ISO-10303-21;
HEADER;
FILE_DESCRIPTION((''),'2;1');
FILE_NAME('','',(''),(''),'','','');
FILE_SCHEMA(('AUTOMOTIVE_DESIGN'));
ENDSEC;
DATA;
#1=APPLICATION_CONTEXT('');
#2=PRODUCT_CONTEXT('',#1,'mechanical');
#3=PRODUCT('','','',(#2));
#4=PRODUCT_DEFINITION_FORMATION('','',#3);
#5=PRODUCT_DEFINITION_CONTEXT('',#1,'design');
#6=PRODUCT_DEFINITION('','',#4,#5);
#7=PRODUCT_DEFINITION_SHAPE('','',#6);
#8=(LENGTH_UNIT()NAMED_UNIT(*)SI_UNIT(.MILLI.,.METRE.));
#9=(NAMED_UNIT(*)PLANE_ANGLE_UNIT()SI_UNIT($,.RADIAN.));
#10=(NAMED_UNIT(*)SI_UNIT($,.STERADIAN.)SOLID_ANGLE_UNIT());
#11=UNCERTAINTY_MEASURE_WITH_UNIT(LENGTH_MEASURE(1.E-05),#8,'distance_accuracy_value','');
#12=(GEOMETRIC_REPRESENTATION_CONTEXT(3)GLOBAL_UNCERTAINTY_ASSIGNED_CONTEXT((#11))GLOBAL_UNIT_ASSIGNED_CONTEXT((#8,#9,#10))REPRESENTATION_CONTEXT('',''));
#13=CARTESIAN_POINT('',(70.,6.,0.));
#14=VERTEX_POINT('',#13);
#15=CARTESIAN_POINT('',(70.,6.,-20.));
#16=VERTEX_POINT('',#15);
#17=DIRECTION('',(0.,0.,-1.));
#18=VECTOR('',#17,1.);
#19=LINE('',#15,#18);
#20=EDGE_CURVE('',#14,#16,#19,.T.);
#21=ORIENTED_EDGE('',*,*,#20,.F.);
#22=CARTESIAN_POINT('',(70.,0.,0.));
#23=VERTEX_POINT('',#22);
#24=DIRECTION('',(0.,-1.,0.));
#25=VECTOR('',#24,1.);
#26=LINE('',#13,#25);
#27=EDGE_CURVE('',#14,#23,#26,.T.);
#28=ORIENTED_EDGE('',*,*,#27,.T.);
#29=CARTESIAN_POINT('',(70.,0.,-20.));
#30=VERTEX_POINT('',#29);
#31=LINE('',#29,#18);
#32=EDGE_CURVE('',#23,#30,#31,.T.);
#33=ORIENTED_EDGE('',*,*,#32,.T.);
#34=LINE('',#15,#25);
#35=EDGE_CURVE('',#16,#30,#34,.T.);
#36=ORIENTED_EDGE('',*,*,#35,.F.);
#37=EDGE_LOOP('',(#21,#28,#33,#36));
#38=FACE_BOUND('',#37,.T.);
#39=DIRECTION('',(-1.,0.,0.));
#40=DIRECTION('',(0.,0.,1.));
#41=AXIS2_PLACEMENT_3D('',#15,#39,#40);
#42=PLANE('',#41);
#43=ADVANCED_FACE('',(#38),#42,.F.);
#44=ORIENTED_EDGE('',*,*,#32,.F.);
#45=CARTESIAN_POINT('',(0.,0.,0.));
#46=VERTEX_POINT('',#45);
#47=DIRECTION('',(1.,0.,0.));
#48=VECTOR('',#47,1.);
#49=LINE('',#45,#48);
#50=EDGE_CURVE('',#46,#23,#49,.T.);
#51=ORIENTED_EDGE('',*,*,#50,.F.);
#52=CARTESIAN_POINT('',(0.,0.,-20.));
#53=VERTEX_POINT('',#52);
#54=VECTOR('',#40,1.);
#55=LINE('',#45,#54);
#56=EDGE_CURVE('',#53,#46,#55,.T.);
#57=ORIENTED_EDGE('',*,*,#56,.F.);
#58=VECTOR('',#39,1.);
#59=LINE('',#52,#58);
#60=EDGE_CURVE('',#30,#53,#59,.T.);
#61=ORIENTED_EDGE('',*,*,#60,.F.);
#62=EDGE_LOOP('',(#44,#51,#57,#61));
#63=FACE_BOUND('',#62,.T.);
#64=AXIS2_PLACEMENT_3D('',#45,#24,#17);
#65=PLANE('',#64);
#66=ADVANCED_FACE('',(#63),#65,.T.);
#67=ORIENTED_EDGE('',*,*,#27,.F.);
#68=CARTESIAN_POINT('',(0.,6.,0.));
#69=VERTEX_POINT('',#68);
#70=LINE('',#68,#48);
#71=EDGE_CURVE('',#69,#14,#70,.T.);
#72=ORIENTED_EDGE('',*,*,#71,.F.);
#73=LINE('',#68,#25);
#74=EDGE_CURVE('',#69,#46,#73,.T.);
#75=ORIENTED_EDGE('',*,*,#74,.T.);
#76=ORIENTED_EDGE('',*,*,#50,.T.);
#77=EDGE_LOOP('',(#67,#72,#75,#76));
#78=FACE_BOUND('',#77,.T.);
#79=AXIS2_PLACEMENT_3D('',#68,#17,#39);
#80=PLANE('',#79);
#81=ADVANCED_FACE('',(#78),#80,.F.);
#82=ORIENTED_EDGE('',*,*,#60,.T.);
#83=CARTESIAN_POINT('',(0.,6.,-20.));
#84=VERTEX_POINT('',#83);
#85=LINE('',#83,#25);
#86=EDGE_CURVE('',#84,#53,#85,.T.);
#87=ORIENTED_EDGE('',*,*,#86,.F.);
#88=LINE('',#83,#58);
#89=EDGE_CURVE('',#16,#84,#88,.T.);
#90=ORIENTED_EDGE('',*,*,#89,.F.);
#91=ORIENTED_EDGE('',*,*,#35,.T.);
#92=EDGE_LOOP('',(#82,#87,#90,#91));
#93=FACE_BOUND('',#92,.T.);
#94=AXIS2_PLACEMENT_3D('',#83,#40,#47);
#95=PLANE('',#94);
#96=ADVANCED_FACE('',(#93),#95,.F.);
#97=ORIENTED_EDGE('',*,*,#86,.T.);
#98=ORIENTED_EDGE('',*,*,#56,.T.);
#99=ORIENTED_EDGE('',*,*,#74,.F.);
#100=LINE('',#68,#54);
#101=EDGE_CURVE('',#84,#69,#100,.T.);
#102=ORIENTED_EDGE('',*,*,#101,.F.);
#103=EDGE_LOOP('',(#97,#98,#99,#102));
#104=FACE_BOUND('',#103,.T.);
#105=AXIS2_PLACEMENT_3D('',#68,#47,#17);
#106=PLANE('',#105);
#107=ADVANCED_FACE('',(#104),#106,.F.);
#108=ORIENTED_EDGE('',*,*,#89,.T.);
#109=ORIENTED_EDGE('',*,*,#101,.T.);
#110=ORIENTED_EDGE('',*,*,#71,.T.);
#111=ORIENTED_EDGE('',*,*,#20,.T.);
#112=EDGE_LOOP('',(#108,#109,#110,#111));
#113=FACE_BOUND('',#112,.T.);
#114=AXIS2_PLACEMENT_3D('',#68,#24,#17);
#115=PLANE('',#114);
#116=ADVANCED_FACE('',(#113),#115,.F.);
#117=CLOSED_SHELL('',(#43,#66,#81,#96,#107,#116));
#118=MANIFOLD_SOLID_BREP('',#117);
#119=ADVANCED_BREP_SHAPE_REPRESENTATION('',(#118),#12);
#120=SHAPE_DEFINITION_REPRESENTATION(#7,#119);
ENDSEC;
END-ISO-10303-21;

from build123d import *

# Parameters (mm, degrees)
SKETCH_1_W        = 70
SKETCH_1_H        = 20
EXTRUDE_292_DEPTH = 6


with BuildPart() as part:
    # Эскиз1 → Extrude 292 (new body)
    with BuildSketch(Plane(origin=(0, 0, 0), x_dir=(1, 0, 0), z_dir=(0, 1, 0))):
        with Locations((35, 10)):
            Rectangle(SKETCH_1_W, SKETCH_1_H)
    extrude(amount=EXTRUDE_292_DEPTH)


solid = part.part
